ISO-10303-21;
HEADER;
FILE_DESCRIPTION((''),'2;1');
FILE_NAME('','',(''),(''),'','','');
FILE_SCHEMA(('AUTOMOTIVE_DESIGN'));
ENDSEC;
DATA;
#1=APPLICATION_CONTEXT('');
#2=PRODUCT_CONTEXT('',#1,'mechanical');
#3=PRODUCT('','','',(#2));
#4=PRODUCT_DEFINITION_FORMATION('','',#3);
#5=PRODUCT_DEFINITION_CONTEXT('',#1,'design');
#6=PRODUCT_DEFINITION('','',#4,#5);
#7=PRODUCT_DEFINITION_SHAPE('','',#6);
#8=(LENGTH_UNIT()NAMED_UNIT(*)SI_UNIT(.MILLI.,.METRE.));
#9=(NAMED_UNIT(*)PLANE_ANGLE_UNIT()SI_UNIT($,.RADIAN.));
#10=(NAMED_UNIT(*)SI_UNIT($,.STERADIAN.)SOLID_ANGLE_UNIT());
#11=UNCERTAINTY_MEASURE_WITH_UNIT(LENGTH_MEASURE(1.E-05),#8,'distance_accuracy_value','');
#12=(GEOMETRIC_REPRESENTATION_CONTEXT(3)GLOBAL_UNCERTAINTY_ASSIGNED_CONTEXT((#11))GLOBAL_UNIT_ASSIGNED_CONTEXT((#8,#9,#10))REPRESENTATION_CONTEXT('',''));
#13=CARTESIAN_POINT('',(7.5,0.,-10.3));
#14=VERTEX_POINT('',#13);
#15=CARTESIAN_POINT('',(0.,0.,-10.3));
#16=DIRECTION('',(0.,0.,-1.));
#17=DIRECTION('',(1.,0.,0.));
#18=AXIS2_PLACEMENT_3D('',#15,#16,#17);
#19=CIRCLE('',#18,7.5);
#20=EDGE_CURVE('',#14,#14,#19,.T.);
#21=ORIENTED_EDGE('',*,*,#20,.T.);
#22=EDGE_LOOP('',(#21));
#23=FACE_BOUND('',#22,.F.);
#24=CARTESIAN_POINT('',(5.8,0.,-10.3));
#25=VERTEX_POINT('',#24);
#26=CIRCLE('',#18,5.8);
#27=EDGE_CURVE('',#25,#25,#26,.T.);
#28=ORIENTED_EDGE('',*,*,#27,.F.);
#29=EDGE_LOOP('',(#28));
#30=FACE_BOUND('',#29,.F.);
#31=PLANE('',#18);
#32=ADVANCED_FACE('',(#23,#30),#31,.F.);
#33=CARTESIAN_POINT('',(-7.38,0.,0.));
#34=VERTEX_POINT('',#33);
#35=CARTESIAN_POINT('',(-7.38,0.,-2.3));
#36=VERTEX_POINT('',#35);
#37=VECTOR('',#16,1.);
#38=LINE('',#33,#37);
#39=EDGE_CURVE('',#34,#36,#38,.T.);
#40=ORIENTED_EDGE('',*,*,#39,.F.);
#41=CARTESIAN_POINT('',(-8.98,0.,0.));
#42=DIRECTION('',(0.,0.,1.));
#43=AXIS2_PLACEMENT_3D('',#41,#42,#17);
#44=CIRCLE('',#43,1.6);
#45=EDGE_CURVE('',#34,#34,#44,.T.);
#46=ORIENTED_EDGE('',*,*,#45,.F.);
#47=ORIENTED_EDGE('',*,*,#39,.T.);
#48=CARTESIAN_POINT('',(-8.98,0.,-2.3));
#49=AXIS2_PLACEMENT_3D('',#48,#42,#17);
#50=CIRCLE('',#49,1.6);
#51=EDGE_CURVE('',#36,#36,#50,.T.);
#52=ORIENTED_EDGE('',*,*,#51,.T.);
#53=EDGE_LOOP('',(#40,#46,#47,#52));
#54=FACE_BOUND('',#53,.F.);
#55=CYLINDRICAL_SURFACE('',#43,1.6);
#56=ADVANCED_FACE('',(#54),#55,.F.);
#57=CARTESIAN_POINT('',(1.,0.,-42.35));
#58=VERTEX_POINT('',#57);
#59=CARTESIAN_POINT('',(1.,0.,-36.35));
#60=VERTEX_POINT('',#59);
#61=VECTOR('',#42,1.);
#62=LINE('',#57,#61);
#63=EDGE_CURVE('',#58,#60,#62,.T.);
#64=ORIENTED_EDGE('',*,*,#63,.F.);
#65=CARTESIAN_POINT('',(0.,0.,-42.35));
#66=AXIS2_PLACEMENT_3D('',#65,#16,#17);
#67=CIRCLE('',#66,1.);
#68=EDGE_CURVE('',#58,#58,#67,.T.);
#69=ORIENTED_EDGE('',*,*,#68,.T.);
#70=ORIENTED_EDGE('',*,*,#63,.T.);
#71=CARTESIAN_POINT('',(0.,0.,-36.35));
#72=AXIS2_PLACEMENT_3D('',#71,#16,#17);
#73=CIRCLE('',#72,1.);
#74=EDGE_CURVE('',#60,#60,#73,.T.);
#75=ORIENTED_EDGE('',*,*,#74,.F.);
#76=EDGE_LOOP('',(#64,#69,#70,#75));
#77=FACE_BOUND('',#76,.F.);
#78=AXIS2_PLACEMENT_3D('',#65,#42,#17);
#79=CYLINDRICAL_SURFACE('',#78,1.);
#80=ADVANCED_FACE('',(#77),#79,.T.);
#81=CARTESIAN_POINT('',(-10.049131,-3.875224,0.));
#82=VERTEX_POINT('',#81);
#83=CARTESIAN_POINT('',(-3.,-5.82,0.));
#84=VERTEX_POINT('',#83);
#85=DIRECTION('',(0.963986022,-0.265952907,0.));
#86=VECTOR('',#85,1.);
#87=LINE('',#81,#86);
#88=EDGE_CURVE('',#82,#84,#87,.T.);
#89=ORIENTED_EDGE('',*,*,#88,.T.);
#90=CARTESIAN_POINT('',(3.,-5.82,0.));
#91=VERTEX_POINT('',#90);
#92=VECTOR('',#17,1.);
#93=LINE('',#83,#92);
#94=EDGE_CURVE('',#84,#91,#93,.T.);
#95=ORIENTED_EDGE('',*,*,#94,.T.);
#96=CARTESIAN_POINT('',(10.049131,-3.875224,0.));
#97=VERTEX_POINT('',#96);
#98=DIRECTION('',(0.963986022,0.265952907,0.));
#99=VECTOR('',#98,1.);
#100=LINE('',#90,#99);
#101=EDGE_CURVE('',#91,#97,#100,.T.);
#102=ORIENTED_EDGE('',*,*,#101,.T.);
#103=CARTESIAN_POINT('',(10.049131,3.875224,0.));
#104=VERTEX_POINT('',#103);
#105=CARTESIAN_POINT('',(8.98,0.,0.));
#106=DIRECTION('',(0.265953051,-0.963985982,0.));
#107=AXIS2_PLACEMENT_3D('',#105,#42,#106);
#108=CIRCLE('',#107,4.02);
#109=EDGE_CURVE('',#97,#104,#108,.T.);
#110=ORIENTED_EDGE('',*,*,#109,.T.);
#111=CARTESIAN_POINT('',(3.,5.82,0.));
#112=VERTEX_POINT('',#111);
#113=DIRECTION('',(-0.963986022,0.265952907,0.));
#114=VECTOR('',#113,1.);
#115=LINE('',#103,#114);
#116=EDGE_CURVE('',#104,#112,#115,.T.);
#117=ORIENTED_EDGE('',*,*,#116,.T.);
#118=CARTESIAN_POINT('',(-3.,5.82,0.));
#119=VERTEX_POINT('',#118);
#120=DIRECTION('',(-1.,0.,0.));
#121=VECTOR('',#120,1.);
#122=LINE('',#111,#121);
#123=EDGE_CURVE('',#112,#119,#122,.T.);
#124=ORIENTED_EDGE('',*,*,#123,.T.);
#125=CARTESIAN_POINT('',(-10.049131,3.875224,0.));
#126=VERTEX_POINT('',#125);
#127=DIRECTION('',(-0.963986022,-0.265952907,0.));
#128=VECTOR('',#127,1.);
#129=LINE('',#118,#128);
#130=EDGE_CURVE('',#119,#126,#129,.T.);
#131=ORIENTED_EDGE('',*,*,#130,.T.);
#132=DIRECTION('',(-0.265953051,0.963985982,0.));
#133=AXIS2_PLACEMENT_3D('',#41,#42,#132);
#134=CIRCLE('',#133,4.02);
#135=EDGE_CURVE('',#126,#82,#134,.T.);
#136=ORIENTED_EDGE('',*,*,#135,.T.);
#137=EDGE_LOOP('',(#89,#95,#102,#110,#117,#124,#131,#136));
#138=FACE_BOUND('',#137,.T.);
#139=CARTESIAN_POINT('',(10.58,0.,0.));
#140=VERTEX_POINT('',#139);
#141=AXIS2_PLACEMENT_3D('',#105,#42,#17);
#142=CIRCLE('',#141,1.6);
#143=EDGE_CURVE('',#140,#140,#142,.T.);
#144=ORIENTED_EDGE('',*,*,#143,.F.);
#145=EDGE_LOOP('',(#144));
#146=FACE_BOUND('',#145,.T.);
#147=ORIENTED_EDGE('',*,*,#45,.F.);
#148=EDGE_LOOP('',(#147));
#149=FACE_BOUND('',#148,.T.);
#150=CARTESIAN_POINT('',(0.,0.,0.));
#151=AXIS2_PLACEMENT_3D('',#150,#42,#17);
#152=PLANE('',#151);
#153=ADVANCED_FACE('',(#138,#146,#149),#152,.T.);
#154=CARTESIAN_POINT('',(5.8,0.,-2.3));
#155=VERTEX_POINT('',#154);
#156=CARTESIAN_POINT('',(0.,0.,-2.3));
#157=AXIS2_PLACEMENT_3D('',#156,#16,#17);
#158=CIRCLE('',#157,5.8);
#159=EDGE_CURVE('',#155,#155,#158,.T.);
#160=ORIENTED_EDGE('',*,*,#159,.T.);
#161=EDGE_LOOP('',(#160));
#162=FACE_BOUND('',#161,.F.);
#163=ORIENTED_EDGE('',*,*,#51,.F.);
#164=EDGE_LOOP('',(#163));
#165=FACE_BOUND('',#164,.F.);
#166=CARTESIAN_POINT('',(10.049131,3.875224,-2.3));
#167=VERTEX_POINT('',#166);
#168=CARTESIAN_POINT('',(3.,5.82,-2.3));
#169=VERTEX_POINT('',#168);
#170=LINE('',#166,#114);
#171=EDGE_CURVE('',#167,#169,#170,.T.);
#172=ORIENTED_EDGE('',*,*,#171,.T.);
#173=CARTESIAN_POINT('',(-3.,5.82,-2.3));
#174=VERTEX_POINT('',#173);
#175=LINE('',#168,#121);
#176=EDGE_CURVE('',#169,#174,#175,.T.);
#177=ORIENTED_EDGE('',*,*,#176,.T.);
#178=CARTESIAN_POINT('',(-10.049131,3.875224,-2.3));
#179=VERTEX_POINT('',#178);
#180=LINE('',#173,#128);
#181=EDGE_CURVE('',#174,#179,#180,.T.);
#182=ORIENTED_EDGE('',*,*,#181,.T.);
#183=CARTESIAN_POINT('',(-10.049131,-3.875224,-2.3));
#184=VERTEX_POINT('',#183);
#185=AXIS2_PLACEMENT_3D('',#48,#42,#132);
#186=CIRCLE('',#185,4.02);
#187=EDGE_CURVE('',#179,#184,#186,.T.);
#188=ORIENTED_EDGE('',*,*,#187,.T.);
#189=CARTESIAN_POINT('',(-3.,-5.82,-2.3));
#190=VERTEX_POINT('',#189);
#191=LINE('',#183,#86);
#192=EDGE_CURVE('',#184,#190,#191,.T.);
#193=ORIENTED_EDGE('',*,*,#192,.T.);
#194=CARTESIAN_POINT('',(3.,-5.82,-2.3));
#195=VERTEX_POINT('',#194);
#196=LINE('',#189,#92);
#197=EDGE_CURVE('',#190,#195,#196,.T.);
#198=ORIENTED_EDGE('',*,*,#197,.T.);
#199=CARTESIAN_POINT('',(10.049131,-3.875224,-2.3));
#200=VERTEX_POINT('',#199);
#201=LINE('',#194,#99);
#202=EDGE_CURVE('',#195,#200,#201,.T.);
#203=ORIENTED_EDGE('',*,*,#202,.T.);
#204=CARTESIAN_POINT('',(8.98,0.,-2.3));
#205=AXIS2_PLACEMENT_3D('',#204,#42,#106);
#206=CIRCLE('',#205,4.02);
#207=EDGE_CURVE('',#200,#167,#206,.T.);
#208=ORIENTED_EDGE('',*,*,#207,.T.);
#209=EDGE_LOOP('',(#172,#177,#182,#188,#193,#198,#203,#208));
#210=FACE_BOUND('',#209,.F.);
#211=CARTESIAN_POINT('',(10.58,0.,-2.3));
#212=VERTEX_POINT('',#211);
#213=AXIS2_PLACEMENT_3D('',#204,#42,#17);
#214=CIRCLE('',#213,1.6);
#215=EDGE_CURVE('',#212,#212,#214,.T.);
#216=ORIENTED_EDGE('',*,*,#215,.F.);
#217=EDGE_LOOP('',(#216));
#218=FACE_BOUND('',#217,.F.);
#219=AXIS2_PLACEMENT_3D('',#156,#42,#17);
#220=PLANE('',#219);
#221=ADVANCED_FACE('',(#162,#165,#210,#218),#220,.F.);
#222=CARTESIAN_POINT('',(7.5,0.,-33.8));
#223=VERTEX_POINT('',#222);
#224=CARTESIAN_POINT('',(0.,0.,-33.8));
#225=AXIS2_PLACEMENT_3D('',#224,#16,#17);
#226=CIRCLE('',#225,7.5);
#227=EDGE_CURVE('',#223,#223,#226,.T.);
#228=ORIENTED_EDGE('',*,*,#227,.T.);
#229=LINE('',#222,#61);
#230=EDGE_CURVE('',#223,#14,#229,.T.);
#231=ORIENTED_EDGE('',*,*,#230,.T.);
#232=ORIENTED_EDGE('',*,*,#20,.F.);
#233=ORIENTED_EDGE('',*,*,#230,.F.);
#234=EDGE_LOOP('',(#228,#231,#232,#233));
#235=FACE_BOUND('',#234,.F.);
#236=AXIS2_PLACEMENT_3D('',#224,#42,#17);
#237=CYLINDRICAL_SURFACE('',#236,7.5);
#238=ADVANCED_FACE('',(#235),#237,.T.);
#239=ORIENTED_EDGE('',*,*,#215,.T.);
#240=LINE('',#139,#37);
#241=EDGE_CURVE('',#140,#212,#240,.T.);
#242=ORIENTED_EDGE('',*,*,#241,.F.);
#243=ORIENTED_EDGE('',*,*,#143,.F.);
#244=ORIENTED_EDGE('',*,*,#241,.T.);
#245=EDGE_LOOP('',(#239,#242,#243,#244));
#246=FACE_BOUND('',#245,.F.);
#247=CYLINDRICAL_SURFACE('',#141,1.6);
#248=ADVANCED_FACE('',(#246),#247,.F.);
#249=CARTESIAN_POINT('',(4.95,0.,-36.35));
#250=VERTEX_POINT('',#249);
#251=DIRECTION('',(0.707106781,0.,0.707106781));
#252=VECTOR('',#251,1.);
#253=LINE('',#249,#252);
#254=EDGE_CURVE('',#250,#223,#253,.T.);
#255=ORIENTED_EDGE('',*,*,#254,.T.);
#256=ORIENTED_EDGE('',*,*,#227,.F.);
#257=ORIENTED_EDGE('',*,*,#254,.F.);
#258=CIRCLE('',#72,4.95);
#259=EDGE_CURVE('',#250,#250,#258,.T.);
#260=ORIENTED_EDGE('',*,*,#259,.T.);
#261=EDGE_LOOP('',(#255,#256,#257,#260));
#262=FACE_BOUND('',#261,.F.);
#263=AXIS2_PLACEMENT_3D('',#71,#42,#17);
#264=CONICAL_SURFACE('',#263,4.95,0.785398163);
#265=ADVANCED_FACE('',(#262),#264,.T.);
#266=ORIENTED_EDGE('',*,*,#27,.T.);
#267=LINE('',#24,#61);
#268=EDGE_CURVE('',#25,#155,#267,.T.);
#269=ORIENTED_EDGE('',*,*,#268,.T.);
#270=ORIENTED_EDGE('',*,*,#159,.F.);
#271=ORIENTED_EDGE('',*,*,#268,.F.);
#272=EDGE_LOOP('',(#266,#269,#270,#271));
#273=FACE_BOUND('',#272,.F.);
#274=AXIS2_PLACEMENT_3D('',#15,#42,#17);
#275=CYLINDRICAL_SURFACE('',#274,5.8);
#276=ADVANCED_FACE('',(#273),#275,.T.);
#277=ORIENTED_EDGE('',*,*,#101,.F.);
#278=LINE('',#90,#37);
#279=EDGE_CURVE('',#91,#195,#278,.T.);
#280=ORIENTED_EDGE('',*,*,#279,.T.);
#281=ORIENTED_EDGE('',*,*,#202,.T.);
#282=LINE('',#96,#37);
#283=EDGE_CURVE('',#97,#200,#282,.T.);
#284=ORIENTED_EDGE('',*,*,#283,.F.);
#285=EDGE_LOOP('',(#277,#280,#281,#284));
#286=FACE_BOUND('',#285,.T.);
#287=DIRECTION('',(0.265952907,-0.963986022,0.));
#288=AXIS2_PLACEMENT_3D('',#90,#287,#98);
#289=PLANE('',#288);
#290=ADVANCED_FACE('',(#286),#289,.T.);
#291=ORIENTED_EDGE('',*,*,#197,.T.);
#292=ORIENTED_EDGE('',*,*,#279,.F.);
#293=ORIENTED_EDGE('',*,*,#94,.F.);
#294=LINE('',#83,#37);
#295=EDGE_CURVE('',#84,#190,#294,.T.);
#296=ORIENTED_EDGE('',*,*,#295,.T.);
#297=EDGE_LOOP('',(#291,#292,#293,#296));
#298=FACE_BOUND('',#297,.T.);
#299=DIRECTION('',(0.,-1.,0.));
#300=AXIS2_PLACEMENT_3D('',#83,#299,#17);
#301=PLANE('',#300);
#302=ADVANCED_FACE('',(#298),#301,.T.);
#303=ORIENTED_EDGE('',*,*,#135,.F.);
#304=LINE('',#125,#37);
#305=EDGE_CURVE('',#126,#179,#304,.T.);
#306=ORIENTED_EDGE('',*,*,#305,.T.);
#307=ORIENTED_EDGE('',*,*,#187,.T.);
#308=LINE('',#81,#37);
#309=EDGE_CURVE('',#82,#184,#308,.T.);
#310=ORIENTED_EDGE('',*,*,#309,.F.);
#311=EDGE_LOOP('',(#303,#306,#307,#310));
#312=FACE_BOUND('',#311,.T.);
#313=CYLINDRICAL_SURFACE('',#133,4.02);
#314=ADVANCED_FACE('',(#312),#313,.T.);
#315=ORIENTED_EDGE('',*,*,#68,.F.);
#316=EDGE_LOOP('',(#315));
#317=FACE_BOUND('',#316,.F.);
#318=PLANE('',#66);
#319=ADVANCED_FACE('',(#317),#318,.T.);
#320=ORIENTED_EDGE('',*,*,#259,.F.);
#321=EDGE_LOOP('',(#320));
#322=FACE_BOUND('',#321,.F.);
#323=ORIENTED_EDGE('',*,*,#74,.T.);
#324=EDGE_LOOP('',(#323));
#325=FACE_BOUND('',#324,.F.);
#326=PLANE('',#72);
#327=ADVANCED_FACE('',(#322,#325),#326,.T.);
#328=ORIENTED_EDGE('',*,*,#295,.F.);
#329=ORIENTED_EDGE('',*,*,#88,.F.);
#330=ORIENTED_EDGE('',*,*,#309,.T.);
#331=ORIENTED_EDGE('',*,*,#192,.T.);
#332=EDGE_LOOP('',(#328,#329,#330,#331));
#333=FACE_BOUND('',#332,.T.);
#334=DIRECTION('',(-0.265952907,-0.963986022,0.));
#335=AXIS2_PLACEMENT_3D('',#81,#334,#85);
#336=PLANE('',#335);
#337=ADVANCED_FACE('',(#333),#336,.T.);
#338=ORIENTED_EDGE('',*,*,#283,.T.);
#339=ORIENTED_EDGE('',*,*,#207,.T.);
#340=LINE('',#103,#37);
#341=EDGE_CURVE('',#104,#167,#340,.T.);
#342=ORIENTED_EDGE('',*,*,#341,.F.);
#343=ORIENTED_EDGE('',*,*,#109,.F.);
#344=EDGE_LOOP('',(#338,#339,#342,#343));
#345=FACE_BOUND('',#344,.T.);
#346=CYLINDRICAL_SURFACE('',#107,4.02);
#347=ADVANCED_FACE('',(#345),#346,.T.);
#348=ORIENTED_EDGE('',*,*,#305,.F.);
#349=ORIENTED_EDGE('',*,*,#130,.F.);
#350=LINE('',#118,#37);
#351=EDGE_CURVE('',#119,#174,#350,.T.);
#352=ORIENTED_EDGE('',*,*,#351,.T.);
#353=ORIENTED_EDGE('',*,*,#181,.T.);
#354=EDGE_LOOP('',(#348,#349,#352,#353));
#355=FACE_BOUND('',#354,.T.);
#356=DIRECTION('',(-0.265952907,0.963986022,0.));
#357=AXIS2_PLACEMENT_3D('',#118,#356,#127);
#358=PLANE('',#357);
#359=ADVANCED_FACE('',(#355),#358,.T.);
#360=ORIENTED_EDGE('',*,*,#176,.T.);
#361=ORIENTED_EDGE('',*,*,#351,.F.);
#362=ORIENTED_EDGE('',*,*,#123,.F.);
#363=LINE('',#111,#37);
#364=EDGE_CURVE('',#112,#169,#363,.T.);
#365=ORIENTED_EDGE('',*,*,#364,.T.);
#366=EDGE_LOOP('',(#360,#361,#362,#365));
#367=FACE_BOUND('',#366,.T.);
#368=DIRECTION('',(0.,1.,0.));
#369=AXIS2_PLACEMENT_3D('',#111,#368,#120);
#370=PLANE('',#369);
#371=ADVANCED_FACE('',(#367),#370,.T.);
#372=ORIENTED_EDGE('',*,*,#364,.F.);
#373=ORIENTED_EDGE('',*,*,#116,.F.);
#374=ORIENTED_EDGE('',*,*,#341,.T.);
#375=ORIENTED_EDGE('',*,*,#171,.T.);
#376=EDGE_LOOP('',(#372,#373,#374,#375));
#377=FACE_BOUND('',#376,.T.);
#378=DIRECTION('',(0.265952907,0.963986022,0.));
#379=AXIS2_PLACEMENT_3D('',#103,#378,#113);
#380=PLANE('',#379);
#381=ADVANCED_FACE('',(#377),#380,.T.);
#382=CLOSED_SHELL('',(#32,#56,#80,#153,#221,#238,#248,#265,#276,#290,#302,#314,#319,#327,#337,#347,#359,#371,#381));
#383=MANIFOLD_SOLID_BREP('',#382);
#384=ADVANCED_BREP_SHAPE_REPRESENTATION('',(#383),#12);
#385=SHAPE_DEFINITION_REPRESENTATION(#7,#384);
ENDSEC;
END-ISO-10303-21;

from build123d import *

# Parameters (mm, degrees)
F0_R     = 1.6
F1_DEPTH = 2.3


with BuildPart() as f1:
    # F0 (on Top) → F1 (new body)
    with BuildSketch(Plane.XY):
        with BuildLine():
            Line((3, -5.82), (10.049131, -3.875224))
            ThreePointArc((10.049131, -3.875224), (13, 0), (10.049131, 3.875224))
            Line((10.049131, 3.875224), (3, 5.82))
            Line((3, 5.82), (-3, 5.82))
            Line((-3, 5.82), (-10.049131, 3.875224))
            ThreePointArc((-10.049131, 3.875224), (-13, 0), (-10.049131, -3.875224))
            Line((-10.049131, -3.875224), (-3, -5.82))
            Line((-3, -5.82), (3, -5.82))
        make_face()
        with Locations((-8.98, 0)):
            Circle(F0_R, mode=Mode.SUBTRACT)
        with Locations((8.98, 0)):
            Circle(F0_R, mode=Mode.SUBTRACT)
    extrude(amount=-F1_DEPTH)

    # F2 (on Front) → F3 (revolve)
    with BuildSketch(Plane.XZ):
        Polygon((5.8, -2.3), (0, -2.3), (0, -42.35), (1, -42.35), (1, -36.35), (4.95, -36.35), (7.5, -33.8), (7.5, -10.3), (5.8, -10.3), align=None)
    revolve(axis=Axis((0, 0, -22.325), (0, 0, -1)))


solid = f1.part
